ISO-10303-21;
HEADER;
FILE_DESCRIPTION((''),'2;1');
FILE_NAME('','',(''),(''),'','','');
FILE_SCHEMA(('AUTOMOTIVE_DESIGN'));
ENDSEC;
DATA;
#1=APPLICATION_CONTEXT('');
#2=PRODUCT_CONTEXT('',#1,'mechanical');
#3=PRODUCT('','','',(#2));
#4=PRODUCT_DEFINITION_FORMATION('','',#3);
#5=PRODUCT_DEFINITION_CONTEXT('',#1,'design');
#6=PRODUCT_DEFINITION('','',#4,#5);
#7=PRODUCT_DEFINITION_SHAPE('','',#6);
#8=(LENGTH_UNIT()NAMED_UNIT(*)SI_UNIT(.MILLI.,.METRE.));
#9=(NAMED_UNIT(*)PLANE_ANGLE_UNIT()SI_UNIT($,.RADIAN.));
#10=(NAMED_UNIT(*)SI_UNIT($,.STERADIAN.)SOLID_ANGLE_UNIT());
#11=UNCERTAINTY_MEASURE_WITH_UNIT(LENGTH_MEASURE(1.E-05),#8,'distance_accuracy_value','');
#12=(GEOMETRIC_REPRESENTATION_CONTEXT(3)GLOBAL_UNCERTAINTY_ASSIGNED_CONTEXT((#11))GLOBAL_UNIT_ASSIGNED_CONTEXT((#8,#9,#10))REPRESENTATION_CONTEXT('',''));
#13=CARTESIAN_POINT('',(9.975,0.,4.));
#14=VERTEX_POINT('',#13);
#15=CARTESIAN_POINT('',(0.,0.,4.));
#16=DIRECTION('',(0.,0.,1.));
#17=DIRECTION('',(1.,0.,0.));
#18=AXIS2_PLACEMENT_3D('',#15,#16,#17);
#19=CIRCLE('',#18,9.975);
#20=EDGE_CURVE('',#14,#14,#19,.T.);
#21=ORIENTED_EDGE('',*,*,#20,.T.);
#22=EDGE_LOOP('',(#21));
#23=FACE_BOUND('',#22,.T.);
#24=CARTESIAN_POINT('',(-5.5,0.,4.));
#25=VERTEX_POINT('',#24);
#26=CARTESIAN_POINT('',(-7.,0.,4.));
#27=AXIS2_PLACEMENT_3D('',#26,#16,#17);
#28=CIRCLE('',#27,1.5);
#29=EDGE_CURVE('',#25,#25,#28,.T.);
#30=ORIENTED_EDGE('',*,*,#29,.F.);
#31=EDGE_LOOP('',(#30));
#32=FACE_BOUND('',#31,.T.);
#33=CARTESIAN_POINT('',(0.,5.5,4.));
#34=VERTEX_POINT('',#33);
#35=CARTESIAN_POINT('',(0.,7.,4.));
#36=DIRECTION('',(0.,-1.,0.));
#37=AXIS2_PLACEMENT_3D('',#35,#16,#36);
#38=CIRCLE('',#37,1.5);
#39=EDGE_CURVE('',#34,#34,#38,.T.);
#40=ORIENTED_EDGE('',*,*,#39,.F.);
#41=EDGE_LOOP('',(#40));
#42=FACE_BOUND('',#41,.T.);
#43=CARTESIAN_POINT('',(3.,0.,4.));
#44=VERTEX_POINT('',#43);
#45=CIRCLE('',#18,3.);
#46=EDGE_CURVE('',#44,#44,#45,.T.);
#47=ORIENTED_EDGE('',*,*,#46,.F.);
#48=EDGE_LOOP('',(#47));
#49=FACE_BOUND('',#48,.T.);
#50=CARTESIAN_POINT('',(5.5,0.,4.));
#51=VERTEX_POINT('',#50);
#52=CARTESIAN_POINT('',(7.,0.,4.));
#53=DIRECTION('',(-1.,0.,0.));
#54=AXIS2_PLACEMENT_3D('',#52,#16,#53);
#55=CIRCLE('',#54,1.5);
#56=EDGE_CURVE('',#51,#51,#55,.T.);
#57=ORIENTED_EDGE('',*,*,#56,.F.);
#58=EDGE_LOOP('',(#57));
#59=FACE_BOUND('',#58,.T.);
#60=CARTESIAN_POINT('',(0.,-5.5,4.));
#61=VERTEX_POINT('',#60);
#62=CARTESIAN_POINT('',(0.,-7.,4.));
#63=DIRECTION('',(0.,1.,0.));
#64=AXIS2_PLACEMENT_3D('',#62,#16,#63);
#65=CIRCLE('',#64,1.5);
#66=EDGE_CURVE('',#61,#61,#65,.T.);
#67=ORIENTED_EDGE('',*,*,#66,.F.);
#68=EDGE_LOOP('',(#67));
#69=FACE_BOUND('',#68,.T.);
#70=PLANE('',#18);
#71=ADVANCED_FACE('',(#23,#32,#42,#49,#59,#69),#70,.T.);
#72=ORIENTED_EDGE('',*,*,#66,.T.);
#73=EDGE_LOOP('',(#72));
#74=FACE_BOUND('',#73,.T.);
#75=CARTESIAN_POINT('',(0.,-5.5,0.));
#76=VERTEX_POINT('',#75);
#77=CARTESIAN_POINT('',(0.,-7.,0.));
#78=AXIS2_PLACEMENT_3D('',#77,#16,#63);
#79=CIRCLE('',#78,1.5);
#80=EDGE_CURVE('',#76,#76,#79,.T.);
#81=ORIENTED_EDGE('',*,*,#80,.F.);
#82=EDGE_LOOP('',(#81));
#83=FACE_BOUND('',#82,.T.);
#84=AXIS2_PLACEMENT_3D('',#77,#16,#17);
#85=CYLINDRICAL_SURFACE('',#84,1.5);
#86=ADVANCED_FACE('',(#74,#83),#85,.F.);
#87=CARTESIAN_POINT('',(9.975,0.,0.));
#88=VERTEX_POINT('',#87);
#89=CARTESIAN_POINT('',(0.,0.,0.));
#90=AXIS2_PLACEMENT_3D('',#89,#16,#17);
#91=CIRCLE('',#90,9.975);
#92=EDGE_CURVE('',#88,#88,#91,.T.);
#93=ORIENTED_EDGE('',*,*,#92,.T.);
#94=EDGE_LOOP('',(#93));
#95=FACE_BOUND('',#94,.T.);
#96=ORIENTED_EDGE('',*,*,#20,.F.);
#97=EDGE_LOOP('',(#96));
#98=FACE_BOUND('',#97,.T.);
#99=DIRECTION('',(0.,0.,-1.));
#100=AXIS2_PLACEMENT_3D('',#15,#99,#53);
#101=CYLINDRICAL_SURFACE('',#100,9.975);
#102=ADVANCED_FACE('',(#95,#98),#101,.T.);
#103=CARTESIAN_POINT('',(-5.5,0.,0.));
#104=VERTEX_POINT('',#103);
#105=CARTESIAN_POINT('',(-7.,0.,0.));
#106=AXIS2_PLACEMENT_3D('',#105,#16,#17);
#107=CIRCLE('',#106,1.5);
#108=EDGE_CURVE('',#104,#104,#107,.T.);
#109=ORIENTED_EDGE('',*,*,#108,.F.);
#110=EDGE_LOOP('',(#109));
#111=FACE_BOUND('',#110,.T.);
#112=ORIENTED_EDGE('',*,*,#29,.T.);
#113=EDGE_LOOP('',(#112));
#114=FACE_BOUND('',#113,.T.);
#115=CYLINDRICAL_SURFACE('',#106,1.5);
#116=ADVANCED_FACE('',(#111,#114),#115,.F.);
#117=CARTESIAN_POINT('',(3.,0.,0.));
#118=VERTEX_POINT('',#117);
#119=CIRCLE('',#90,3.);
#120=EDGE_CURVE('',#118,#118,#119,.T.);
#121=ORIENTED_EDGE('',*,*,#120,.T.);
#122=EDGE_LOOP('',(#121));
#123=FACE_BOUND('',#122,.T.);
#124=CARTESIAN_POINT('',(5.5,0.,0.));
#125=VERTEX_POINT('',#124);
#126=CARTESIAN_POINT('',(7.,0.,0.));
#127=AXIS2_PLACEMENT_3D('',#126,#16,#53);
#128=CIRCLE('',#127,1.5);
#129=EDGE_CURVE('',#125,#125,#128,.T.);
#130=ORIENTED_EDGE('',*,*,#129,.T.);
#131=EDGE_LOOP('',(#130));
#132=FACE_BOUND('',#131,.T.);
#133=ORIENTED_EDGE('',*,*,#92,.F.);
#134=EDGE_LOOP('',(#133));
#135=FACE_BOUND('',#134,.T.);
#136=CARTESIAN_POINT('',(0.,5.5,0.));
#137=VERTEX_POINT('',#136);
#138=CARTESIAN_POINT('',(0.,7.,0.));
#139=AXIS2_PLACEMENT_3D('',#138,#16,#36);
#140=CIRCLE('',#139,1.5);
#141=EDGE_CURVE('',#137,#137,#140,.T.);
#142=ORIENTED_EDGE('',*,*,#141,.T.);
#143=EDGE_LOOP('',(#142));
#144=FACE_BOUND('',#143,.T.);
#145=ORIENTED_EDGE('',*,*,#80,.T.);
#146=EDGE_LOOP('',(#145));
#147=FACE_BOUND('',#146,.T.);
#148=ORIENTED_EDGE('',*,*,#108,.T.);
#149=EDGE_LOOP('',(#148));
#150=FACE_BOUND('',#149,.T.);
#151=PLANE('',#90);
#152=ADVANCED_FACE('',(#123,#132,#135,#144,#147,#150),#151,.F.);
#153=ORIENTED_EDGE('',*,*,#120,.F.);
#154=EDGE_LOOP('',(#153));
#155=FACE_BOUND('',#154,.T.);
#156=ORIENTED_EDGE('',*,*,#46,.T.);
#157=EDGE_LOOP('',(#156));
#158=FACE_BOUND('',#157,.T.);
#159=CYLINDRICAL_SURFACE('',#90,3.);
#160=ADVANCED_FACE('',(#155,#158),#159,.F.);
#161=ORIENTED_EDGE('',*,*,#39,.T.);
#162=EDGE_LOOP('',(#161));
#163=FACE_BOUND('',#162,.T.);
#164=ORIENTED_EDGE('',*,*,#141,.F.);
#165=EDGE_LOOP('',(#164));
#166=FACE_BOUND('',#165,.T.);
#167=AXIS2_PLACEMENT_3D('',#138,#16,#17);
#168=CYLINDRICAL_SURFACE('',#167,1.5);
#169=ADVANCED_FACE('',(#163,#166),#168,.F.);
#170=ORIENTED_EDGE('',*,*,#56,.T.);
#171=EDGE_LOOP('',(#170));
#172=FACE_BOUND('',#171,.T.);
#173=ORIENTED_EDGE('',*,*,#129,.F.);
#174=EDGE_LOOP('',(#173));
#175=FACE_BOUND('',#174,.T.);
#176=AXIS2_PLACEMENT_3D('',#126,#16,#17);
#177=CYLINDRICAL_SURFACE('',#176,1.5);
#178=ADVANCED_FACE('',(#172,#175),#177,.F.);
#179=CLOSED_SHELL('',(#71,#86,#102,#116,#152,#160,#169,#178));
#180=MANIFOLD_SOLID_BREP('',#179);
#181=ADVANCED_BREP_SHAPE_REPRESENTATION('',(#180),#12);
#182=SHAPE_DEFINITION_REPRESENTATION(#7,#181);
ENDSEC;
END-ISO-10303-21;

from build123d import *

# Parameters (mm, degrees)
SKETCH_1_R               = 9.975
EXTRUDE_1_DEPTH          = 4
SKETCH_2_R               = 1.5
CUT_EXTRUDE_1_DEPTH      = 15.662920923
PATTERN_CIRCULAR_1_COUNT = 4
SKETCH_3_R               = 3
CUT_EXTRUDE_2_DEPTH      = 15.662920923


with BuildPart() as part:
    # 草图1 → 凸台-拉伸1 (new body)
    with BuildSketch(Plane.XY):
        Circle(SKETCH_1_R)
    extrude(amount=EXTRUDE_1_DEPTH)

    # 草图2 → 切除-拉伸1 (cut, through all)
    with BuildSketch(Plane.XY.offset(4)):
        with Locations((-7, 0)):
            Circle(SKETCH_2_R)
    cut_extrude_1 = extrude(amount=-CUT_EXTRUDE_1_DEPTH, mode=Mode.SUBTRACT)

    # 阵列(圆周)1: 切除-拉伸1 ×4 about axis
    pattern_circular_1_axis = Axis((0, 0, 0), (0, 0, 1))
    for i in range(1, PATTERN_CIRCULAR_1_COUNT):
        add(cut_extrude_1.rotate(pattern_circular_1_axis, i * 360 / PATTERN_CIRCULAR_1_COUNT), mode=Mode.SUBTRACT)

    # 草图3 → 切除-拉伸2 (cut, through all)
    with BuildSketch(Plane.XY.offset(4)):
        Circle(SKETCH_3_R)
    extrude(amount=-CUT_EXTRUDE_2_DEPTH, mode=Mode.SUBTRACT)


solid = part.part
